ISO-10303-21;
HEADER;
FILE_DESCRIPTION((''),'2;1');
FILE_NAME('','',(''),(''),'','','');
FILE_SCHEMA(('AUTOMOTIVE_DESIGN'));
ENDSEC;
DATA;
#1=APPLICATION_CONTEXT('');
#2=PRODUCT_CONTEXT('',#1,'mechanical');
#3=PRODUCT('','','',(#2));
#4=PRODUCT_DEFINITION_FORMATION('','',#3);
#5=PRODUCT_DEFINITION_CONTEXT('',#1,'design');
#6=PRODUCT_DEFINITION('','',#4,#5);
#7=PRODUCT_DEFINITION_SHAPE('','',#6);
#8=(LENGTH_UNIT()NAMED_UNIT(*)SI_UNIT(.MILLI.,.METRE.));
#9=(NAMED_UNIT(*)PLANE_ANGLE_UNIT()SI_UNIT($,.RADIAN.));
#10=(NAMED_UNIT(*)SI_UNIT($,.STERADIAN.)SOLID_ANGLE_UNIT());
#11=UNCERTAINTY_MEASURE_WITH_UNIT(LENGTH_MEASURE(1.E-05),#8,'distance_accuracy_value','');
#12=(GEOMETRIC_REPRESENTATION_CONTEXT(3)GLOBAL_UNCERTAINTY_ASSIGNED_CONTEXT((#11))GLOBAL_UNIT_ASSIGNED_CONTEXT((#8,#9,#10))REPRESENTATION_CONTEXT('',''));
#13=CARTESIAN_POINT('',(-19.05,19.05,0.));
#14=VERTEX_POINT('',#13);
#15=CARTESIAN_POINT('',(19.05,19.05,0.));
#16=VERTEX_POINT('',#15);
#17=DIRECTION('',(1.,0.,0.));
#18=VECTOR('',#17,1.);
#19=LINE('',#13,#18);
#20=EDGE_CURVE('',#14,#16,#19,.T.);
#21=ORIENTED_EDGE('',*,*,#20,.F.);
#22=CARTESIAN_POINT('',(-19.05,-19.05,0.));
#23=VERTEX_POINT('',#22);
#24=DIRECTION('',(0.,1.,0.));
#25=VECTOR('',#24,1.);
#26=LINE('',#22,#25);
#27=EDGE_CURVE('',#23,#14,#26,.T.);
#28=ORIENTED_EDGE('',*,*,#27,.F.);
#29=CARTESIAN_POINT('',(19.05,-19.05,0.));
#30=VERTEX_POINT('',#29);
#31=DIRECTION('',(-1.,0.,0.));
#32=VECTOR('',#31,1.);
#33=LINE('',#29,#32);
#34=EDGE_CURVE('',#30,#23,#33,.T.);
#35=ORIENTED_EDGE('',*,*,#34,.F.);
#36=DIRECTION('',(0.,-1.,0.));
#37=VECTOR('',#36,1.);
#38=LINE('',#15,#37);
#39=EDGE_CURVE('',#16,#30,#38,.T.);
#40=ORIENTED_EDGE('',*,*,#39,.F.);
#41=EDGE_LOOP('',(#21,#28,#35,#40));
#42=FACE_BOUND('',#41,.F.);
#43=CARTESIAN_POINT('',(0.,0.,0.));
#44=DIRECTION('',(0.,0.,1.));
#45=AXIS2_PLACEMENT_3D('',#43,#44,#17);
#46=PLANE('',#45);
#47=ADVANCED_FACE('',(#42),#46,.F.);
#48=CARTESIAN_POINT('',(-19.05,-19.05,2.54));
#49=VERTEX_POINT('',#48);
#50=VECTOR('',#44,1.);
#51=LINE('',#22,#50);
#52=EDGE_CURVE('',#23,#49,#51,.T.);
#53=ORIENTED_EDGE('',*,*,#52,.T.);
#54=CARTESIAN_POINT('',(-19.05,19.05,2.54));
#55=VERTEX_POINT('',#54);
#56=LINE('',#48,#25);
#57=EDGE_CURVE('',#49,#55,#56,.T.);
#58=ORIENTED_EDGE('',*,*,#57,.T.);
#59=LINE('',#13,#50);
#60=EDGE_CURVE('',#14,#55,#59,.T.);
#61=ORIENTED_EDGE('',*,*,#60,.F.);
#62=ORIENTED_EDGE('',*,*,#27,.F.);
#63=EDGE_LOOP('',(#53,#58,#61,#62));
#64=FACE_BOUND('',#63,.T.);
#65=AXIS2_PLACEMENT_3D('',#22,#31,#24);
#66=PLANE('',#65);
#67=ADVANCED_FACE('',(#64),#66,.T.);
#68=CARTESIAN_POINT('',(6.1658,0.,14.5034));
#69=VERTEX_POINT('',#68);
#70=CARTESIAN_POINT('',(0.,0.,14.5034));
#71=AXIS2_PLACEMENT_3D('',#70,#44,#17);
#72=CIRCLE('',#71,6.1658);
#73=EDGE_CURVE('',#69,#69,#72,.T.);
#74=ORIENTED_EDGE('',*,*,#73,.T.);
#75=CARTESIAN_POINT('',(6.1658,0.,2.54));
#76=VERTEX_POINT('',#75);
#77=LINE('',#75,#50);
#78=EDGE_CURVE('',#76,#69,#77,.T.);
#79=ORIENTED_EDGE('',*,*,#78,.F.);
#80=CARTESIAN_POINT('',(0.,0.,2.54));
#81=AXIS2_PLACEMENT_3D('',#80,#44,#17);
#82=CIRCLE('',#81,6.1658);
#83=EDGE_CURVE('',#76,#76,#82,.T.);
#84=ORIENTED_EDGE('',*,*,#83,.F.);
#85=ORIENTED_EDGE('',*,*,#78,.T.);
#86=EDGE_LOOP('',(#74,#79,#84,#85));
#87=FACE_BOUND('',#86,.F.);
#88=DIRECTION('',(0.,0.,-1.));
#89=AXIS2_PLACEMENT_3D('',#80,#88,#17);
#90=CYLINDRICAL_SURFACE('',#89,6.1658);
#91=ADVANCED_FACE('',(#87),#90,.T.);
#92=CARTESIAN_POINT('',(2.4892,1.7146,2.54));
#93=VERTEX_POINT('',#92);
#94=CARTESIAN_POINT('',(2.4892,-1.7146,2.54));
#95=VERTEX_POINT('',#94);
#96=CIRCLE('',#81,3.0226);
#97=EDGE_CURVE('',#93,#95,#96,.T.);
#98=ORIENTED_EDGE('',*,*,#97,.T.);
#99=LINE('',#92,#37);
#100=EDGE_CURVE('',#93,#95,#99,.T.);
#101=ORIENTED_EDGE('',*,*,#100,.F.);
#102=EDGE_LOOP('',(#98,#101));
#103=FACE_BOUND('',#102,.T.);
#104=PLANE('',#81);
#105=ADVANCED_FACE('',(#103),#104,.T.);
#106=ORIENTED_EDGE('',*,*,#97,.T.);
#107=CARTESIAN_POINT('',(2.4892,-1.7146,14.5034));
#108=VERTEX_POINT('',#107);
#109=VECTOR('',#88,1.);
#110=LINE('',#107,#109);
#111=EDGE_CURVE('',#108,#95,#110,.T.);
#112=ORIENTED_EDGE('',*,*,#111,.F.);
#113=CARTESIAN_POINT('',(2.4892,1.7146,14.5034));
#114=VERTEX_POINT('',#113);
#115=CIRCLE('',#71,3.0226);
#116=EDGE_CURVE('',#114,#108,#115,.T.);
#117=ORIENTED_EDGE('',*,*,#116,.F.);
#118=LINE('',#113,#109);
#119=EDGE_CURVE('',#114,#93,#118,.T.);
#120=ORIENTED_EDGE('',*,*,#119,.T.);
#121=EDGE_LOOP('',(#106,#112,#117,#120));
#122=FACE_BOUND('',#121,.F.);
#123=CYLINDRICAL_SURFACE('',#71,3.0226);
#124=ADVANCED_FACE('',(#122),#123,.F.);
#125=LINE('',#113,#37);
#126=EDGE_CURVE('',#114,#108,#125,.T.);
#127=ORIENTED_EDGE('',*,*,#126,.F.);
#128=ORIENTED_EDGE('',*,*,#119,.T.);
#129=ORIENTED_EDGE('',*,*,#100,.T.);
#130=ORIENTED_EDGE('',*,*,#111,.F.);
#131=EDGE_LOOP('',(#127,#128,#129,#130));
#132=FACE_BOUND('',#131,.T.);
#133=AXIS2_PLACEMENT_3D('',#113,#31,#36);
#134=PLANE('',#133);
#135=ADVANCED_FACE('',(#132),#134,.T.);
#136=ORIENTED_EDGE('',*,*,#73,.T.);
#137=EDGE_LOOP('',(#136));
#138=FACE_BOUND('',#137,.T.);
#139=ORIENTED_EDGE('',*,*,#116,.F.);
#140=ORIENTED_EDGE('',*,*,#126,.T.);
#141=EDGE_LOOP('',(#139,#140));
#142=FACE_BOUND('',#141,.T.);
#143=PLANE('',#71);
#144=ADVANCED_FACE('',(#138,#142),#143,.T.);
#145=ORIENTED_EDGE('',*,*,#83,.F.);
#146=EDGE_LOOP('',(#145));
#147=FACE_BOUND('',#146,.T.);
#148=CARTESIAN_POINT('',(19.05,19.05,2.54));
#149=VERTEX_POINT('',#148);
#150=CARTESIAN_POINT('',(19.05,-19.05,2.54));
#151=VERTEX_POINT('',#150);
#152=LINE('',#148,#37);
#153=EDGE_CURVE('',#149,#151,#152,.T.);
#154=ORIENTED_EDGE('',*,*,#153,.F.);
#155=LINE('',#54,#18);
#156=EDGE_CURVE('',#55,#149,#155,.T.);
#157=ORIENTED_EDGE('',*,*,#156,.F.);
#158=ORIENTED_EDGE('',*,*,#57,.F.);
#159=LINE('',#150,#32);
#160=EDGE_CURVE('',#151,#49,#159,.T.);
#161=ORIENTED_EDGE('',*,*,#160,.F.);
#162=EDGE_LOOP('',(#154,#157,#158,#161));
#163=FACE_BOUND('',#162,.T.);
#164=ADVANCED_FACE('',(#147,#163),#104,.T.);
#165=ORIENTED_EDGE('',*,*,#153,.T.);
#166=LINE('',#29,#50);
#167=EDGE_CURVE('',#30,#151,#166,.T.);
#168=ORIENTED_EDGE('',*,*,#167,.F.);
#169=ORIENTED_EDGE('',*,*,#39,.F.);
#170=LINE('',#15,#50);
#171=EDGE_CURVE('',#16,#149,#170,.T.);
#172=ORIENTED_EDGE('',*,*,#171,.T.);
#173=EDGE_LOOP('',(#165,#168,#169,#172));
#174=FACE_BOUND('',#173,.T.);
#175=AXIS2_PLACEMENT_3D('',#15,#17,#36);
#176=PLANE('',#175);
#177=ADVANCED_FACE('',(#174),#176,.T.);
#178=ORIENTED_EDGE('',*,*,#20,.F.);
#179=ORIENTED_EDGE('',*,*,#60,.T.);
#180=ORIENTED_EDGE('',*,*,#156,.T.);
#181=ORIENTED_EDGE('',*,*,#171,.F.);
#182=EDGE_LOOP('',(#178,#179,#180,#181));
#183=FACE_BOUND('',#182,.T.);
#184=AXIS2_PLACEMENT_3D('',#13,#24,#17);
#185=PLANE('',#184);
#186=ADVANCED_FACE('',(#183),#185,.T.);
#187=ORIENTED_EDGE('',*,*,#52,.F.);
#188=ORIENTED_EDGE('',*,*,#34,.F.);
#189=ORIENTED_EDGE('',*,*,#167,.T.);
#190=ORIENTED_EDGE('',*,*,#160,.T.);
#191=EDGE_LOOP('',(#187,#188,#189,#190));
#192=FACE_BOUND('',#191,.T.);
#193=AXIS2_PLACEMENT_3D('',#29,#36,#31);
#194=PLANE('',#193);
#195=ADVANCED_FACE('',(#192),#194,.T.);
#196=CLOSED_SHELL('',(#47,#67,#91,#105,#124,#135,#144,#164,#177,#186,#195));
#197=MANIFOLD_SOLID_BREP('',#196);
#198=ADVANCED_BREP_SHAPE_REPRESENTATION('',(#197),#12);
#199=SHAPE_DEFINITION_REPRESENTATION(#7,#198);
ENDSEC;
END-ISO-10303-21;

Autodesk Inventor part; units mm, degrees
ref_plane "YZ Plane" through (0, 0, 0) normal (1, 0, 0) x (0, 1, 0)
ref_plane "XZ Plane" through (0, 0, 0) normal (0, 1, 0) x (-1, 0, 0)
ref_plane "XY Plane" through (0, 0, 0) normal (0, 0, 1) x (1, 0, 0)
sketch "Sketch1" plane through (0, 0, 0) normal (0, 0, 1) x (1, 0, 0)
  line L0 (19.05, -19.05) -> (-19.05, -19.05)
  line L1 (-19.05, -19.05) -> (-19.05, 19.05)
  line L2 (-19.05, 19.05) -> (19.05, 19.05)
  line L3 (19.05, 19.05) -> (19.05, -19.05)
  line L4 (19.05, -19.05) -> (-19.05, 19.05) construction
  line L5 (-19.05, -19.05) -> (19.05, 19.05) construction
  point P0 (0, 0)
  dimension "d0" = 38.1
  dimension "d1" = 38.1
extrude "Extrusion1" add sketch "Sketch1" along normal blind 2.54
sketch "Sketch2" plane through (0, 0, 2.54) normal (0, 0, 1) x (1, 0, 0)
  circle A0 centre (0, 0) radius 6.1658
  dimension "d4" = 12.3317
extrude "Extrusion2" add sketch "Sketch2" along normal blind 11.9634
sketch "Sketch3" plane through (0, 0, 14.5034) normal (0, 0, 1) x (1, 0, 0)
  circle A0 centre (0, 0) radius 3.0226
  line L0 (2.4892, 1.7146) -> (2.4892, -1.7146)
  dimension "d7" = 6.0452
  dimension "d8" = 5.5118
extrude "Extrusion3" cut sketch "Sketch3" against normal blind 11.9634 contours L0 A0 picked at (0.6593, -0.1215)
properties part number "Hub Prototype"
